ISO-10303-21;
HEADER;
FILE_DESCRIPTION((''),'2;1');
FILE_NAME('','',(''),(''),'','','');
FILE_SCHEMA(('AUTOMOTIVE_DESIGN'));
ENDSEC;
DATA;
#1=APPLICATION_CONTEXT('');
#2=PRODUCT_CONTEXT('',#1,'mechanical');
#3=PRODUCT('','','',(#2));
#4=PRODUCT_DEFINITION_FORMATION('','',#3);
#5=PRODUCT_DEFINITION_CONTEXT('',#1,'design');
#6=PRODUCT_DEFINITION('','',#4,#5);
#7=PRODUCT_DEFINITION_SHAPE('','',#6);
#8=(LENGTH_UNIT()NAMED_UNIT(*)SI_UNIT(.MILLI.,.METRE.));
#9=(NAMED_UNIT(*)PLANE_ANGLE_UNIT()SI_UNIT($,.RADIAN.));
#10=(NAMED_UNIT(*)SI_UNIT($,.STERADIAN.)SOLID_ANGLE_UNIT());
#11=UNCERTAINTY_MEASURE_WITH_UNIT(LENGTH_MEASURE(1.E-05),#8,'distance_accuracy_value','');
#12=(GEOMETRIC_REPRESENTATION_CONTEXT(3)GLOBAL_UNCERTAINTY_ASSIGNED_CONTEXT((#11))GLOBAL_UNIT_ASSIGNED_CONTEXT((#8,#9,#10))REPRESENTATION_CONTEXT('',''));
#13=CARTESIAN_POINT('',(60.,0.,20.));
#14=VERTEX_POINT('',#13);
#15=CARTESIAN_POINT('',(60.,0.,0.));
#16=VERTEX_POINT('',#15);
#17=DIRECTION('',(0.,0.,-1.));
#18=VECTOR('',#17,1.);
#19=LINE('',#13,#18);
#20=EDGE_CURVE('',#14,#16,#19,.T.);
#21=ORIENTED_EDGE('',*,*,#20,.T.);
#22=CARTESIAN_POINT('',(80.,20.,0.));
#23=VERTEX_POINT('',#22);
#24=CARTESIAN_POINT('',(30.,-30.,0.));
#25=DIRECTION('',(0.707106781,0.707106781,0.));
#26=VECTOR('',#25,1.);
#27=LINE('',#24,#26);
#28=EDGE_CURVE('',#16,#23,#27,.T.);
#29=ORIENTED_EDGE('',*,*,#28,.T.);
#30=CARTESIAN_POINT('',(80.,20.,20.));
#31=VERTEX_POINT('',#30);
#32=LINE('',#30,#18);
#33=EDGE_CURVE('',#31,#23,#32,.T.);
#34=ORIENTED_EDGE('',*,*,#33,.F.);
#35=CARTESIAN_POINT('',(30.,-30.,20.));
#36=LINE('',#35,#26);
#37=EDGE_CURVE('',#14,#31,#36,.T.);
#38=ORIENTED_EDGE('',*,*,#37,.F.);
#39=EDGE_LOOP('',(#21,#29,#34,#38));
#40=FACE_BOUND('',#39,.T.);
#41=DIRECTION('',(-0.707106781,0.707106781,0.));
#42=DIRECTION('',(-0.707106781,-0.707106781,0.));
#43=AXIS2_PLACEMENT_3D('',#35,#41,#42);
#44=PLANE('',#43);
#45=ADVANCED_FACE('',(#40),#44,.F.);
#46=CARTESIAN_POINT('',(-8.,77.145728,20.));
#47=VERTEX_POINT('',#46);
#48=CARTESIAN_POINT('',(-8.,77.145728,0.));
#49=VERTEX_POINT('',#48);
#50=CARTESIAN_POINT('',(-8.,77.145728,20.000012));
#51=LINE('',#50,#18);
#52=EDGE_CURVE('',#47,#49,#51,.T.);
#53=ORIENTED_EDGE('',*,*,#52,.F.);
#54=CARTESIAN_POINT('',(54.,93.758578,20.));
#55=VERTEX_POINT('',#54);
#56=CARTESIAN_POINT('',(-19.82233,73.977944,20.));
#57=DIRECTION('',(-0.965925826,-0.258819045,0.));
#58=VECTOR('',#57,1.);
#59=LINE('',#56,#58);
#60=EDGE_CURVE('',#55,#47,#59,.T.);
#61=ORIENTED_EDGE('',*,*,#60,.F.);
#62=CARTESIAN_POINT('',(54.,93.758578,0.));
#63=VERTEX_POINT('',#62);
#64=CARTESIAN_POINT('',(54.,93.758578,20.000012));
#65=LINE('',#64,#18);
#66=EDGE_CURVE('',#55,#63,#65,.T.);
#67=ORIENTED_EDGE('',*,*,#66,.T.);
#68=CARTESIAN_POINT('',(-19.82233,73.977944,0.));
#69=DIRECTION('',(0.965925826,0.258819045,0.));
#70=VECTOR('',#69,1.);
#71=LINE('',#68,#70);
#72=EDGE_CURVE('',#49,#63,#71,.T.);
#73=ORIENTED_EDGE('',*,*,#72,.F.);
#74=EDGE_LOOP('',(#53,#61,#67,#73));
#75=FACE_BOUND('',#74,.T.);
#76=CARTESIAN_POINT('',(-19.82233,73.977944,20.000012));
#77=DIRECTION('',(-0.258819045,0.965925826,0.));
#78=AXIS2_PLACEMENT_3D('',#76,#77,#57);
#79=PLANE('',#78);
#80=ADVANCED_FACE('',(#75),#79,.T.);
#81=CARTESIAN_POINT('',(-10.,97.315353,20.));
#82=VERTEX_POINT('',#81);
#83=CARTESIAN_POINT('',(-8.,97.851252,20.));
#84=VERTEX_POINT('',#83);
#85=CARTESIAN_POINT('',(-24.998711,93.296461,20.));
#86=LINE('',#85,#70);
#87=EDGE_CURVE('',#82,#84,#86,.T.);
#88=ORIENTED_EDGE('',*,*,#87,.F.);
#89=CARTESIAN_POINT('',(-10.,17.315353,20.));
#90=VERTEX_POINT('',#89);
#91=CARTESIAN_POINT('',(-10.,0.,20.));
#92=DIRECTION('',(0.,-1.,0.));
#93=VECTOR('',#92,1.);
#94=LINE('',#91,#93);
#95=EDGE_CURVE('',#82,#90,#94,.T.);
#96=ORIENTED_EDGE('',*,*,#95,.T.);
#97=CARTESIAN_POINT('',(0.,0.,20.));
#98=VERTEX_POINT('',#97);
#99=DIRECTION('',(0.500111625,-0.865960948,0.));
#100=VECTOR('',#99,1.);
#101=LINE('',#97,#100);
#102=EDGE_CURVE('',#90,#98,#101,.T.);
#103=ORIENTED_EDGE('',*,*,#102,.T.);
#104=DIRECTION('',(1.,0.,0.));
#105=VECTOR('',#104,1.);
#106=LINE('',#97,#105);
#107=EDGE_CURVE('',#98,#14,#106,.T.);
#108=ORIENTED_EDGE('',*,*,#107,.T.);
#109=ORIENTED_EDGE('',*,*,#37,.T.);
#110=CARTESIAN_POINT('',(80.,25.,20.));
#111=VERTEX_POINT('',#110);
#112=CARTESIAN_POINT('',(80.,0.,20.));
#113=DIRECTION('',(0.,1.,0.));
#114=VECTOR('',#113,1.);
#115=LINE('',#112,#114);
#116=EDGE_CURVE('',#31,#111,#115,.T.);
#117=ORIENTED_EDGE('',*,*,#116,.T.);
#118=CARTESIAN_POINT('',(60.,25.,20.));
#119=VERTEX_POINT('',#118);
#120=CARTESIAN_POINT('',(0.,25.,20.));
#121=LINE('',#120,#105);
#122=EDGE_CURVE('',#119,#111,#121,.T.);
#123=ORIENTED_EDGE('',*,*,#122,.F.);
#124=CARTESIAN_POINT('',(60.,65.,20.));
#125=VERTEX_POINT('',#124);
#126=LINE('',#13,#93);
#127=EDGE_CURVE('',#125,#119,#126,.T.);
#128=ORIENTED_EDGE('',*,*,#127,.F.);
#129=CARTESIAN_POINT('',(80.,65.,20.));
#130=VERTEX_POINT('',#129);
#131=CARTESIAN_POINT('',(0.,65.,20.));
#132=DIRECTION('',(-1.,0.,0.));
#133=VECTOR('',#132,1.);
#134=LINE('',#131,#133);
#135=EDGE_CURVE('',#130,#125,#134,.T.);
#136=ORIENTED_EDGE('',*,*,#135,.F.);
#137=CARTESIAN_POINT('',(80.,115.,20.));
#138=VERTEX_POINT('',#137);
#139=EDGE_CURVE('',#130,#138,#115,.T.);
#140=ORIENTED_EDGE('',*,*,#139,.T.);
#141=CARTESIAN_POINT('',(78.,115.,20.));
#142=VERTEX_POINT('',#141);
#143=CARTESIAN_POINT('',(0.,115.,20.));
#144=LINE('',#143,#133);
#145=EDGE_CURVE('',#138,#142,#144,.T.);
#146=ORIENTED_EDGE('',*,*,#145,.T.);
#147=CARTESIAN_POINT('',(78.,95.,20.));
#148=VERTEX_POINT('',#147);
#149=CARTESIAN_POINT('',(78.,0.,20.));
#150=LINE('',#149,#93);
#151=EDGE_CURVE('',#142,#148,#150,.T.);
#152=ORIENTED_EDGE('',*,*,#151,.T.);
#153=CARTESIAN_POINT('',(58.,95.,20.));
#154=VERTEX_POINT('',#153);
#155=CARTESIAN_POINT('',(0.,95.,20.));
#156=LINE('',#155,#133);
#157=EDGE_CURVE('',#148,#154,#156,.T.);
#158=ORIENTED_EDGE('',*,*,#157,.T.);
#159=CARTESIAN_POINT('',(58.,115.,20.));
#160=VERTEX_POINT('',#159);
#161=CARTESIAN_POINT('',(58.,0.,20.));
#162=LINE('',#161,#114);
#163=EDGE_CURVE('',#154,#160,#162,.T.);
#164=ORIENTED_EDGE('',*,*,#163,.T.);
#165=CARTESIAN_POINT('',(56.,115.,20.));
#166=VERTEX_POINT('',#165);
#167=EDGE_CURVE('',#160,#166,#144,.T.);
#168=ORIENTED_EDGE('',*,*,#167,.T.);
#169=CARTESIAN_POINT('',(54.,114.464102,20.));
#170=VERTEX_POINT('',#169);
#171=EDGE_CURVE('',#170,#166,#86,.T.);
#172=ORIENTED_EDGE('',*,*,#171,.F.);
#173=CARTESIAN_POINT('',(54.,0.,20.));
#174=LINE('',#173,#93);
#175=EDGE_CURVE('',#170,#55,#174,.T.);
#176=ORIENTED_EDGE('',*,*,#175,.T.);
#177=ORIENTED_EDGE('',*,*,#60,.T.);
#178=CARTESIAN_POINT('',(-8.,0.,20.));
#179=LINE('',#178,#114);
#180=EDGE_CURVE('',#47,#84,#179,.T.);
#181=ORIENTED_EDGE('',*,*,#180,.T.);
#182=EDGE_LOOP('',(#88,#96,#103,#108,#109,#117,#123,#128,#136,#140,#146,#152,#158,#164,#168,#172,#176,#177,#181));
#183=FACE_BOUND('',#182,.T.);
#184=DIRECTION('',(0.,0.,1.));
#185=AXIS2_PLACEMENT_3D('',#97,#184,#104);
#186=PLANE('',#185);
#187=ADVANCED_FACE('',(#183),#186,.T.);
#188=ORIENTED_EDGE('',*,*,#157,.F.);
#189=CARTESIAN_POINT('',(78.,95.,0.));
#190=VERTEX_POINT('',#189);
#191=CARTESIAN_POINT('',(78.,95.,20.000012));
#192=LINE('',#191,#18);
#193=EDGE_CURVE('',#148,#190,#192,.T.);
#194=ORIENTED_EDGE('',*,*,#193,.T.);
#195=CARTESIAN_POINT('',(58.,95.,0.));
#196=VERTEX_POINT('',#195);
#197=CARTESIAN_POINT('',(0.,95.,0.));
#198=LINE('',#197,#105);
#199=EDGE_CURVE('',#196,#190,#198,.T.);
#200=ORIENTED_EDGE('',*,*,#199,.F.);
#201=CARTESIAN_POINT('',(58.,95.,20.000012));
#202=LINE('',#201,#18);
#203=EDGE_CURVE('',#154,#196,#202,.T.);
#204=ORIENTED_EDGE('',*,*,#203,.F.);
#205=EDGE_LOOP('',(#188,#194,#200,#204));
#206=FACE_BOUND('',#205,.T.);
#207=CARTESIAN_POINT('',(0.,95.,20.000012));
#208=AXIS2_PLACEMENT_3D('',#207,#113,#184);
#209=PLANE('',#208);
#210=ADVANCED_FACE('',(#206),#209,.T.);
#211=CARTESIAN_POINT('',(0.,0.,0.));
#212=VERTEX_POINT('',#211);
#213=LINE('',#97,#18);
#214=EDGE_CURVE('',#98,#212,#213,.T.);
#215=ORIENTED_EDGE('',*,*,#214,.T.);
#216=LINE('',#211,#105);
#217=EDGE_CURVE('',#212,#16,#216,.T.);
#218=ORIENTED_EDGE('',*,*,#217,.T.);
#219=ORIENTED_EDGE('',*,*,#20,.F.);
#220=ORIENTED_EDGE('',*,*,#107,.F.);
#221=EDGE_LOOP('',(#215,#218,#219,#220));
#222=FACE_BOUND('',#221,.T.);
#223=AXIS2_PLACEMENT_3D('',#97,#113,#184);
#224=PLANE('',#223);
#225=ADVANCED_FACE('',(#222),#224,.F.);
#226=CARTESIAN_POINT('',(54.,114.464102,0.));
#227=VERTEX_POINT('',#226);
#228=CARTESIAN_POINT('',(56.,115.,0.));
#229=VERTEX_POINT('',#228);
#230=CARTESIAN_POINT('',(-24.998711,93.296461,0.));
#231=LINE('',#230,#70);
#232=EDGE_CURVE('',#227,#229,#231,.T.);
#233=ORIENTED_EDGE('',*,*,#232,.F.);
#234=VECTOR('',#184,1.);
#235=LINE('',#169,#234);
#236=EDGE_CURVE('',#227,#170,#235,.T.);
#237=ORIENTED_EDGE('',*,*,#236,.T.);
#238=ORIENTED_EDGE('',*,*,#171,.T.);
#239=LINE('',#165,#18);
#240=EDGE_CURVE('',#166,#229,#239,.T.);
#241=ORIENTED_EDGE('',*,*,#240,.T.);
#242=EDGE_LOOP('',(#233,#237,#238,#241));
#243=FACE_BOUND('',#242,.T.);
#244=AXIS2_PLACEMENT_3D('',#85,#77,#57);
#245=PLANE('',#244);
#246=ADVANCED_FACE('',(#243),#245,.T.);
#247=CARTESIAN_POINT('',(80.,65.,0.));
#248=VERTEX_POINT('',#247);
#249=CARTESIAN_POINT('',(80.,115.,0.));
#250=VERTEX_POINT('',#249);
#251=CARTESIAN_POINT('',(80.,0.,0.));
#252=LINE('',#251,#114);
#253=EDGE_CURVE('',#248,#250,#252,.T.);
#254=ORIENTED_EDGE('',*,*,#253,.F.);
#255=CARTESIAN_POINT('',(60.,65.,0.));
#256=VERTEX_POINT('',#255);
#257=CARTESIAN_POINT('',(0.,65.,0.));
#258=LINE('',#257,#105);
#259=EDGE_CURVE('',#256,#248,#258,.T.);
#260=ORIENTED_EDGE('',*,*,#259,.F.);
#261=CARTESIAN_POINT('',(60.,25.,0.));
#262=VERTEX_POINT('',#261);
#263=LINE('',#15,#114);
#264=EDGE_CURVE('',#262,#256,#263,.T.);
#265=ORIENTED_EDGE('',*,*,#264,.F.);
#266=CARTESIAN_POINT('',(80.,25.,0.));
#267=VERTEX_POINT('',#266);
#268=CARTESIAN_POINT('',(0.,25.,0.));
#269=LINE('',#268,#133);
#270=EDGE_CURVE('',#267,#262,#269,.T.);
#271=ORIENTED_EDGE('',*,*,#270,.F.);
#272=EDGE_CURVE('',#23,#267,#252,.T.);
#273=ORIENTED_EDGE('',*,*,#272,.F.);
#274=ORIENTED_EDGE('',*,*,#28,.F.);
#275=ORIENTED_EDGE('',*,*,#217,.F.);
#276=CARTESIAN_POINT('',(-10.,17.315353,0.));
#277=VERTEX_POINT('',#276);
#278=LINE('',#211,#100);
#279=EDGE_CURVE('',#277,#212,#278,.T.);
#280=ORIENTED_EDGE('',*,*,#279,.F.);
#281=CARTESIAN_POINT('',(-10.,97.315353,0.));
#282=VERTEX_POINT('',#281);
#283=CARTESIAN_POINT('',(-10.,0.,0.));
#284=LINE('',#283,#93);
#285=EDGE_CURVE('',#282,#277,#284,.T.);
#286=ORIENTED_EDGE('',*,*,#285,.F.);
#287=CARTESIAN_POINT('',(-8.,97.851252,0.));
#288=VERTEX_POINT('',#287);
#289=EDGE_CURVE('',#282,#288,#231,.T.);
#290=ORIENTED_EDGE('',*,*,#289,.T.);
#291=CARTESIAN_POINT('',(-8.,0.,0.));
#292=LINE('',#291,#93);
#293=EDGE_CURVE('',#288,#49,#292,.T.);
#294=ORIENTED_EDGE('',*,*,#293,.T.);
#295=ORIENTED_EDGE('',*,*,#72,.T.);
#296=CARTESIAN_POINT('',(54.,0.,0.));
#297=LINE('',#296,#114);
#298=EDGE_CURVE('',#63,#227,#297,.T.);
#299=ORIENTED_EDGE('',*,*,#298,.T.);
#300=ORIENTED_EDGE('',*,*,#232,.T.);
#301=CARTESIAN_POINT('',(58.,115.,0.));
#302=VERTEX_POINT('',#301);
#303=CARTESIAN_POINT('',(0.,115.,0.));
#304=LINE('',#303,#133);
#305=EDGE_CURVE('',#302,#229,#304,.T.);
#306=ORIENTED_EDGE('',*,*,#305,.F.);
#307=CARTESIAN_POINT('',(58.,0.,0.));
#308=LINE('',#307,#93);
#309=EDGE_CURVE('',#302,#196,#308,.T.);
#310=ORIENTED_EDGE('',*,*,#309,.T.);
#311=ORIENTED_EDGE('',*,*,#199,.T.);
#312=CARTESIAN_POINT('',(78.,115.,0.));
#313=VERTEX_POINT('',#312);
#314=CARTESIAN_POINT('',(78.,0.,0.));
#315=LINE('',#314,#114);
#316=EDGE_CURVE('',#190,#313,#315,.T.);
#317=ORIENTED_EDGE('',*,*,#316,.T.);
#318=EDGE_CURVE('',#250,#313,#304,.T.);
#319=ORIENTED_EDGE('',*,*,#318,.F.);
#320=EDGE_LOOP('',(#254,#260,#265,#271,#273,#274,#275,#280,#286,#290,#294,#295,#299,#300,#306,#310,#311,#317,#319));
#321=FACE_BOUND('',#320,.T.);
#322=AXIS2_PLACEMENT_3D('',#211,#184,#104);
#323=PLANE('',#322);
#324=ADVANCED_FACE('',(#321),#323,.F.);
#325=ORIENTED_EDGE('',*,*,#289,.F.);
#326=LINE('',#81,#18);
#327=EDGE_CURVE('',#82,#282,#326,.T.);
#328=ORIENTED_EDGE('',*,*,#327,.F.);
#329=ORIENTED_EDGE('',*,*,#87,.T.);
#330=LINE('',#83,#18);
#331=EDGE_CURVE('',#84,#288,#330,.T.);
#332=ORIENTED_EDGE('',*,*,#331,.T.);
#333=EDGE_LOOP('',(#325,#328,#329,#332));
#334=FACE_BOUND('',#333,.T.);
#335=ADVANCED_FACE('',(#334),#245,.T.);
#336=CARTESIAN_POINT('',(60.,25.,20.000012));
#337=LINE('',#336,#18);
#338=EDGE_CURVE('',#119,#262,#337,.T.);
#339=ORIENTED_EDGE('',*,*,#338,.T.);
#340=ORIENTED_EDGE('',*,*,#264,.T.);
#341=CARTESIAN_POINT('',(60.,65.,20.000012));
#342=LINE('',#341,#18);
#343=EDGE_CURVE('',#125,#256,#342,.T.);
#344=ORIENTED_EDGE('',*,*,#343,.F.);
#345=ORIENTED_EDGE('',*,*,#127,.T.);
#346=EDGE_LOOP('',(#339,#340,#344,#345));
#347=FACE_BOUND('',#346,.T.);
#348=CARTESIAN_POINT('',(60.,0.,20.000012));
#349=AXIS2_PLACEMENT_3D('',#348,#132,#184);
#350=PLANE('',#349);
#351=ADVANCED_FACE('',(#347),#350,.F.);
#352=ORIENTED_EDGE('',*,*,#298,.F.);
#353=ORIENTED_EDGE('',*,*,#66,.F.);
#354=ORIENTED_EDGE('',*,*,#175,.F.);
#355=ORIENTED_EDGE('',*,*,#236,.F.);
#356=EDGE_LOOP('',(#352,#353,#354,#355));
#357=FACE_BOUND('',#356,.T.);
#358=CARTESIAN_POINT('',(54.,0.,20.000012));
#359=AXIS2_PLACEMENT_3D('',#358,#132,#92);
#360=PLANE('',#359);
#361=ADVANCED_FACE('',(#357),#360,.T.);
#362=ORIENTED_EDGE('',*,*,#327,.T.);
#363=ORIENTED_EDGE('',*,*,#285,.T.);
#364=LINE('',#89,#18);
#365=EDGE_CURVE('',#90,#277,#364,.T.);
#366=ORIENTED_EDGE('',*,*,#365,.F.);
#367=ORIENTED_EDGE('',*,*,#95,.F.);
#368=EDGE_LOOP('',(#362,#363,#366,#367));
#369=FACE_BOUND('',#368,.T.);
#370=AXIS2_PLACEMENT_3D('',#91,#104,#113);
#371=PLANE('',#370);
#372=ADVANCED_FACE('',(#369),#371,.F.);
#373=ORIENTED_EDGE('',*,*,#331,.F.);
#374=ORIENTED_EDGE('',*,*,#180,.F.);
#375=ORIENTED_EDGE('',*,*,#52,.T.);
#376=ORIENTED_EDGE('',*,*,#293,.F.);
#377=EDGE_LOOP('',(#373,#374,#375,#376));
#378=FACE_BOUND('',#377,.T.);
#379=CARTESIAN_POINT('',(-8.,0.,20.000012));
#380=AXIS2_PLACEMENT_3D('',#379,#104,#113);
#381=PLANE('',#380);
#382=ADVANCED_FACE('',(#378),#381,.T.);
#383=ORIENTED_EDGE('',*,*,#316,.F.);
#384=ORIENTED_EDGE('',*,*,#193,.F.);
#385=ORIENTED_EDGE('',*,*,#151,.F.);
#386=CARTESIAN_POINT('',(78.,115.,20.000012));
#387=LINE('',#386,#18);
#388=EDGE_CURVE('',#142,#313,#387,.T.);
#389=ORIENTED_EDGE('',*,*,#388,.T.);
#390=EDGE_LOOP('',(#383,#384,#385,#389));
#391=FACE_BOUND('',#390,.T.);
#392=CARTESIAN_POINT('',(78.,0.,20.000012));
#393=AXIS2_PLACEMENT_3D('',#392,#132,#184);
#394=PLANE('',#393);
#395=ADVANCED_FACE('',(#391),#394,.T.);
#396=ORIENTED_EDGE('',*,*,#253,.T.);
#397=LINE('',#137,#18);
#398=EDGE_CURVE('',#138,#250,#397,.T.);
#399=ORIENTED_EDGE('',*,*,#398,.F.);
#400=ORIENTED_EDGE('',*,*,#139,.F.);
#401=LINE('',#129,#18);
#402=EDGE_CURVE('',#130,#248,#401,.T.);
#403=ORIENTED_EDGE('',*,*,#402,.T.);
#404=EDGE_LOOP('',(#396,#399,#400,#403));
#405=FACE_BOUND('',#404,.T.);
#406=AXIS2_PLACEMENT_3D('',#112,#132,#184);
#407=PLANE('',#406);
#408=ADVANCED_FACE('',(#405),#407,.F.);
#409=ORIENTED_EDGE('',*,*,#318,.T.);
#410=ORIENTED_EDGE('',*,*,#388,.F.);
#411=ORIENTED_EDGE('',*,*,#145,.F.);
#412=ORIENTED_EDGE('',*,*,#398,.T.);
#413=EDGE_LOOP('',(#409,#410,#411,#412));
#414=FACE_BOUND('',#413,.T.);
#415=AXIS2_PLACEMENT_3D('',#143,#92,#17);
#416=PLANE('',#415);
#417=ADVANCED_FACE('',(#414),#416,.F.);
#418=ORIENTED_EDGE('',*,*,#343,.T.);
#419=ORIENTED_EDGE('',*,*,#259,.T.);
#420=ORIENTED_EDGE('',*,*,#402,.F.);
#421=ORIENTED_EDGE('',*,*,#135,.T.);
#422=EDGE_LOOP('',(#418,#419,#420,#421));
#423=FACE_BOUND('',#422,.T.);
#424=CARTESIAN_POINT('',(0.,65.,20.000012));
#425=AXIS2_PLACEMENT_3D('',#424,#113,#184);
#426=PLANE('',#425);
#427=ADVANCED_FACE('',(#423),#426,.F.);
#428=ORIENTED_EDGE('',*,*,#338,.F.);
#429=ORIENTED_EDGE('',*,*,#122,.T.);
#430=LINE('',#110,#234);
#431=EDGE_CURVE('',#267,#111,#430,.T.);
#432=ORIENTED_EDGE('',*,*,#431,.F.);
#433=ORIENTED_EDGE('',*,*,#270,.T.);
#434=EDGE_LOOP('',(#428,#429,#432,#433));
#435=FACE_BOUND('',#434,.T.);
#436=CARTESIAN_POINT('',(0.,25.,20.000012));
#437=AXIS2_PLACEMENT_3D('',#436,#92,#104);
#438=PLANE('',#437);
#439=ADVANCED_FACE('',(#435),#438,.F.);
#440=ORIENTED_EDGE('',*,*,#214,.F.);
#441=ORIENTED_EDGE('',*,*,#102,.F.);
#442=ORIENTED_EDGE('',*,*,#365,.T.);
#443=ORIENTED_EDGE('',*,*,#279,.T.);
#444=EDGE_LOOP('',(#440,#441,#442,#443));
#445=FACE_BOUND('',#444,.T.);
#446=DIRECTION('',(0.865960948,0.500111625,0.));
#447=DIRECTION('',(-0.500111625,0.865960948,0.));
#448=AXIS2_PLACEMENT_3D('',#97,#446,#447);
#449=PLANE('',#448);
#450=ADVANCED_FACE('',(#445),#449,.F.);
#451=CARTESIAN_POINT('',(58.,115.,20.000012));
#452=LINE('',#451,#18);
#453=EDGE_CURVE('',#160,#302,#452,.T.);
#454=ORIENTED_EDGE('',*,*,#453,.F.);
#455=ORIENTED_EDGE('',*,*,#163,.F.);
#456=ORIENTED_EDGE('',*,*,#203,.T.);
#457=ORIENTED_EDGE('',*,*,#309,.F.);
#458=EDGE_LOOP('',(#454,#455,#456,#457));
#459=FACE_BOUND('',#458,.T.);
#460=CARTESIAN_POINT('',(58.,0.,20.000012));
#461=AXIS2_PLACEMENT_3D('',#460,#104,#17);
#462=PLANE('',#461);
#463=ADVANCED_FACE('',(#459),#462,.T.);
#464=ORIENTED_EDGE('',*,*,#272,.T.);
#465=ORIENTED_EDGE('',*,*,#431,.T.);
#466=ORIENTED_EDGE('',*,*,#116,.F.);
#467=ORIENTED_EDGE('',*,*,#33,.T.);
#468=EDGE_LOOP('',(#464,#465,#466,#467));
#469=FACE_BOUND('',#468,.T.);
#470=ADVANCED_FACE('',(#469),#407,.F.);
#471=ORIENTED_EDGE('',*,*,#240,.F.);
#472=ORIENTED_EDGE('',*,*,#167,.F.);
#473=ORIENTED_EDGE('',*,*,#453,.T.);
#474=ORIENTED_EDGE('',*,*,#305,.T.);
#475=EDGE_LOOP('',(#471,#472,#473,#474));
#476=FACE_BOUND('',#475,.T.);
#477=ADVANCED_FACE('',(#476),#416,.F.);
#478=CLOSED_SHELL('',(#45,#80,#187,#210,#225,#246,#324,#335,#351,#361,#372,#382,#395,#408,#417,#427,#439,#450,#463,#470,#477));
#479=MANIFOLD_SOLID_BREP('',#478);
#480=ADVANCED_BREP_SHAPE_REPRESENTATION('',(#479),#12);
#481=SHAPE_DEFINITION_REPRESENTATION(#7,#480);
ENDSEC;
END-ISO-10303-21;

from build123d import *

# Parameters (mm, degrees)
BOSS_EXTRUDE1_DEPTH     = 20
CUT_EXTRUDE1_DEPTH      = 142.509716981
CUT_EXTRUDE1_DEPTH_BACK = 20
SKETCH2_W               = 20
SKETCH2_H               = 20
SKETCH2_H_2             = 40


with BuildPart() as part:
    # Sketch1 → Boss-Extrude1 (new body)
    with BuildSketch(Plane.XY):
        Polygon((0, 0), (60, 0), (80, 20), (80, 115), (56, 115), (-10, 97.3153533), (-10, 17.3153533), align=None)
    extrude(amount=BOSS_EXTRUDE1_DEPTH)

    # Sketch2 → Cut-Extrude1 (cut, two sides: drawn at the far end of the back side and taken through both)
    with BuildSketch(Plane.XY.offset(20).offset(-CUT_EXTRUDE1_DEPTH_BACK)):
        with Locations((68, 105)):
            Rectangle(SKETCH2_W, SKETCH2_H)
        Polygon((54, 93.758578007), (54, 114.464101615), (-8, 97.851251684), (-8, 77.145728076), align=None)
        with Locations((70, 45)):
            Rectangle(SKETCH2_W, SKETCH2_H_2)
    extrude(amount=CUT_EXTRUDE1_DEPTH + CUT_EXTRUDE1_DEPTH_BACK, mode=Mode.SUBTRACT)


solid = part.part
